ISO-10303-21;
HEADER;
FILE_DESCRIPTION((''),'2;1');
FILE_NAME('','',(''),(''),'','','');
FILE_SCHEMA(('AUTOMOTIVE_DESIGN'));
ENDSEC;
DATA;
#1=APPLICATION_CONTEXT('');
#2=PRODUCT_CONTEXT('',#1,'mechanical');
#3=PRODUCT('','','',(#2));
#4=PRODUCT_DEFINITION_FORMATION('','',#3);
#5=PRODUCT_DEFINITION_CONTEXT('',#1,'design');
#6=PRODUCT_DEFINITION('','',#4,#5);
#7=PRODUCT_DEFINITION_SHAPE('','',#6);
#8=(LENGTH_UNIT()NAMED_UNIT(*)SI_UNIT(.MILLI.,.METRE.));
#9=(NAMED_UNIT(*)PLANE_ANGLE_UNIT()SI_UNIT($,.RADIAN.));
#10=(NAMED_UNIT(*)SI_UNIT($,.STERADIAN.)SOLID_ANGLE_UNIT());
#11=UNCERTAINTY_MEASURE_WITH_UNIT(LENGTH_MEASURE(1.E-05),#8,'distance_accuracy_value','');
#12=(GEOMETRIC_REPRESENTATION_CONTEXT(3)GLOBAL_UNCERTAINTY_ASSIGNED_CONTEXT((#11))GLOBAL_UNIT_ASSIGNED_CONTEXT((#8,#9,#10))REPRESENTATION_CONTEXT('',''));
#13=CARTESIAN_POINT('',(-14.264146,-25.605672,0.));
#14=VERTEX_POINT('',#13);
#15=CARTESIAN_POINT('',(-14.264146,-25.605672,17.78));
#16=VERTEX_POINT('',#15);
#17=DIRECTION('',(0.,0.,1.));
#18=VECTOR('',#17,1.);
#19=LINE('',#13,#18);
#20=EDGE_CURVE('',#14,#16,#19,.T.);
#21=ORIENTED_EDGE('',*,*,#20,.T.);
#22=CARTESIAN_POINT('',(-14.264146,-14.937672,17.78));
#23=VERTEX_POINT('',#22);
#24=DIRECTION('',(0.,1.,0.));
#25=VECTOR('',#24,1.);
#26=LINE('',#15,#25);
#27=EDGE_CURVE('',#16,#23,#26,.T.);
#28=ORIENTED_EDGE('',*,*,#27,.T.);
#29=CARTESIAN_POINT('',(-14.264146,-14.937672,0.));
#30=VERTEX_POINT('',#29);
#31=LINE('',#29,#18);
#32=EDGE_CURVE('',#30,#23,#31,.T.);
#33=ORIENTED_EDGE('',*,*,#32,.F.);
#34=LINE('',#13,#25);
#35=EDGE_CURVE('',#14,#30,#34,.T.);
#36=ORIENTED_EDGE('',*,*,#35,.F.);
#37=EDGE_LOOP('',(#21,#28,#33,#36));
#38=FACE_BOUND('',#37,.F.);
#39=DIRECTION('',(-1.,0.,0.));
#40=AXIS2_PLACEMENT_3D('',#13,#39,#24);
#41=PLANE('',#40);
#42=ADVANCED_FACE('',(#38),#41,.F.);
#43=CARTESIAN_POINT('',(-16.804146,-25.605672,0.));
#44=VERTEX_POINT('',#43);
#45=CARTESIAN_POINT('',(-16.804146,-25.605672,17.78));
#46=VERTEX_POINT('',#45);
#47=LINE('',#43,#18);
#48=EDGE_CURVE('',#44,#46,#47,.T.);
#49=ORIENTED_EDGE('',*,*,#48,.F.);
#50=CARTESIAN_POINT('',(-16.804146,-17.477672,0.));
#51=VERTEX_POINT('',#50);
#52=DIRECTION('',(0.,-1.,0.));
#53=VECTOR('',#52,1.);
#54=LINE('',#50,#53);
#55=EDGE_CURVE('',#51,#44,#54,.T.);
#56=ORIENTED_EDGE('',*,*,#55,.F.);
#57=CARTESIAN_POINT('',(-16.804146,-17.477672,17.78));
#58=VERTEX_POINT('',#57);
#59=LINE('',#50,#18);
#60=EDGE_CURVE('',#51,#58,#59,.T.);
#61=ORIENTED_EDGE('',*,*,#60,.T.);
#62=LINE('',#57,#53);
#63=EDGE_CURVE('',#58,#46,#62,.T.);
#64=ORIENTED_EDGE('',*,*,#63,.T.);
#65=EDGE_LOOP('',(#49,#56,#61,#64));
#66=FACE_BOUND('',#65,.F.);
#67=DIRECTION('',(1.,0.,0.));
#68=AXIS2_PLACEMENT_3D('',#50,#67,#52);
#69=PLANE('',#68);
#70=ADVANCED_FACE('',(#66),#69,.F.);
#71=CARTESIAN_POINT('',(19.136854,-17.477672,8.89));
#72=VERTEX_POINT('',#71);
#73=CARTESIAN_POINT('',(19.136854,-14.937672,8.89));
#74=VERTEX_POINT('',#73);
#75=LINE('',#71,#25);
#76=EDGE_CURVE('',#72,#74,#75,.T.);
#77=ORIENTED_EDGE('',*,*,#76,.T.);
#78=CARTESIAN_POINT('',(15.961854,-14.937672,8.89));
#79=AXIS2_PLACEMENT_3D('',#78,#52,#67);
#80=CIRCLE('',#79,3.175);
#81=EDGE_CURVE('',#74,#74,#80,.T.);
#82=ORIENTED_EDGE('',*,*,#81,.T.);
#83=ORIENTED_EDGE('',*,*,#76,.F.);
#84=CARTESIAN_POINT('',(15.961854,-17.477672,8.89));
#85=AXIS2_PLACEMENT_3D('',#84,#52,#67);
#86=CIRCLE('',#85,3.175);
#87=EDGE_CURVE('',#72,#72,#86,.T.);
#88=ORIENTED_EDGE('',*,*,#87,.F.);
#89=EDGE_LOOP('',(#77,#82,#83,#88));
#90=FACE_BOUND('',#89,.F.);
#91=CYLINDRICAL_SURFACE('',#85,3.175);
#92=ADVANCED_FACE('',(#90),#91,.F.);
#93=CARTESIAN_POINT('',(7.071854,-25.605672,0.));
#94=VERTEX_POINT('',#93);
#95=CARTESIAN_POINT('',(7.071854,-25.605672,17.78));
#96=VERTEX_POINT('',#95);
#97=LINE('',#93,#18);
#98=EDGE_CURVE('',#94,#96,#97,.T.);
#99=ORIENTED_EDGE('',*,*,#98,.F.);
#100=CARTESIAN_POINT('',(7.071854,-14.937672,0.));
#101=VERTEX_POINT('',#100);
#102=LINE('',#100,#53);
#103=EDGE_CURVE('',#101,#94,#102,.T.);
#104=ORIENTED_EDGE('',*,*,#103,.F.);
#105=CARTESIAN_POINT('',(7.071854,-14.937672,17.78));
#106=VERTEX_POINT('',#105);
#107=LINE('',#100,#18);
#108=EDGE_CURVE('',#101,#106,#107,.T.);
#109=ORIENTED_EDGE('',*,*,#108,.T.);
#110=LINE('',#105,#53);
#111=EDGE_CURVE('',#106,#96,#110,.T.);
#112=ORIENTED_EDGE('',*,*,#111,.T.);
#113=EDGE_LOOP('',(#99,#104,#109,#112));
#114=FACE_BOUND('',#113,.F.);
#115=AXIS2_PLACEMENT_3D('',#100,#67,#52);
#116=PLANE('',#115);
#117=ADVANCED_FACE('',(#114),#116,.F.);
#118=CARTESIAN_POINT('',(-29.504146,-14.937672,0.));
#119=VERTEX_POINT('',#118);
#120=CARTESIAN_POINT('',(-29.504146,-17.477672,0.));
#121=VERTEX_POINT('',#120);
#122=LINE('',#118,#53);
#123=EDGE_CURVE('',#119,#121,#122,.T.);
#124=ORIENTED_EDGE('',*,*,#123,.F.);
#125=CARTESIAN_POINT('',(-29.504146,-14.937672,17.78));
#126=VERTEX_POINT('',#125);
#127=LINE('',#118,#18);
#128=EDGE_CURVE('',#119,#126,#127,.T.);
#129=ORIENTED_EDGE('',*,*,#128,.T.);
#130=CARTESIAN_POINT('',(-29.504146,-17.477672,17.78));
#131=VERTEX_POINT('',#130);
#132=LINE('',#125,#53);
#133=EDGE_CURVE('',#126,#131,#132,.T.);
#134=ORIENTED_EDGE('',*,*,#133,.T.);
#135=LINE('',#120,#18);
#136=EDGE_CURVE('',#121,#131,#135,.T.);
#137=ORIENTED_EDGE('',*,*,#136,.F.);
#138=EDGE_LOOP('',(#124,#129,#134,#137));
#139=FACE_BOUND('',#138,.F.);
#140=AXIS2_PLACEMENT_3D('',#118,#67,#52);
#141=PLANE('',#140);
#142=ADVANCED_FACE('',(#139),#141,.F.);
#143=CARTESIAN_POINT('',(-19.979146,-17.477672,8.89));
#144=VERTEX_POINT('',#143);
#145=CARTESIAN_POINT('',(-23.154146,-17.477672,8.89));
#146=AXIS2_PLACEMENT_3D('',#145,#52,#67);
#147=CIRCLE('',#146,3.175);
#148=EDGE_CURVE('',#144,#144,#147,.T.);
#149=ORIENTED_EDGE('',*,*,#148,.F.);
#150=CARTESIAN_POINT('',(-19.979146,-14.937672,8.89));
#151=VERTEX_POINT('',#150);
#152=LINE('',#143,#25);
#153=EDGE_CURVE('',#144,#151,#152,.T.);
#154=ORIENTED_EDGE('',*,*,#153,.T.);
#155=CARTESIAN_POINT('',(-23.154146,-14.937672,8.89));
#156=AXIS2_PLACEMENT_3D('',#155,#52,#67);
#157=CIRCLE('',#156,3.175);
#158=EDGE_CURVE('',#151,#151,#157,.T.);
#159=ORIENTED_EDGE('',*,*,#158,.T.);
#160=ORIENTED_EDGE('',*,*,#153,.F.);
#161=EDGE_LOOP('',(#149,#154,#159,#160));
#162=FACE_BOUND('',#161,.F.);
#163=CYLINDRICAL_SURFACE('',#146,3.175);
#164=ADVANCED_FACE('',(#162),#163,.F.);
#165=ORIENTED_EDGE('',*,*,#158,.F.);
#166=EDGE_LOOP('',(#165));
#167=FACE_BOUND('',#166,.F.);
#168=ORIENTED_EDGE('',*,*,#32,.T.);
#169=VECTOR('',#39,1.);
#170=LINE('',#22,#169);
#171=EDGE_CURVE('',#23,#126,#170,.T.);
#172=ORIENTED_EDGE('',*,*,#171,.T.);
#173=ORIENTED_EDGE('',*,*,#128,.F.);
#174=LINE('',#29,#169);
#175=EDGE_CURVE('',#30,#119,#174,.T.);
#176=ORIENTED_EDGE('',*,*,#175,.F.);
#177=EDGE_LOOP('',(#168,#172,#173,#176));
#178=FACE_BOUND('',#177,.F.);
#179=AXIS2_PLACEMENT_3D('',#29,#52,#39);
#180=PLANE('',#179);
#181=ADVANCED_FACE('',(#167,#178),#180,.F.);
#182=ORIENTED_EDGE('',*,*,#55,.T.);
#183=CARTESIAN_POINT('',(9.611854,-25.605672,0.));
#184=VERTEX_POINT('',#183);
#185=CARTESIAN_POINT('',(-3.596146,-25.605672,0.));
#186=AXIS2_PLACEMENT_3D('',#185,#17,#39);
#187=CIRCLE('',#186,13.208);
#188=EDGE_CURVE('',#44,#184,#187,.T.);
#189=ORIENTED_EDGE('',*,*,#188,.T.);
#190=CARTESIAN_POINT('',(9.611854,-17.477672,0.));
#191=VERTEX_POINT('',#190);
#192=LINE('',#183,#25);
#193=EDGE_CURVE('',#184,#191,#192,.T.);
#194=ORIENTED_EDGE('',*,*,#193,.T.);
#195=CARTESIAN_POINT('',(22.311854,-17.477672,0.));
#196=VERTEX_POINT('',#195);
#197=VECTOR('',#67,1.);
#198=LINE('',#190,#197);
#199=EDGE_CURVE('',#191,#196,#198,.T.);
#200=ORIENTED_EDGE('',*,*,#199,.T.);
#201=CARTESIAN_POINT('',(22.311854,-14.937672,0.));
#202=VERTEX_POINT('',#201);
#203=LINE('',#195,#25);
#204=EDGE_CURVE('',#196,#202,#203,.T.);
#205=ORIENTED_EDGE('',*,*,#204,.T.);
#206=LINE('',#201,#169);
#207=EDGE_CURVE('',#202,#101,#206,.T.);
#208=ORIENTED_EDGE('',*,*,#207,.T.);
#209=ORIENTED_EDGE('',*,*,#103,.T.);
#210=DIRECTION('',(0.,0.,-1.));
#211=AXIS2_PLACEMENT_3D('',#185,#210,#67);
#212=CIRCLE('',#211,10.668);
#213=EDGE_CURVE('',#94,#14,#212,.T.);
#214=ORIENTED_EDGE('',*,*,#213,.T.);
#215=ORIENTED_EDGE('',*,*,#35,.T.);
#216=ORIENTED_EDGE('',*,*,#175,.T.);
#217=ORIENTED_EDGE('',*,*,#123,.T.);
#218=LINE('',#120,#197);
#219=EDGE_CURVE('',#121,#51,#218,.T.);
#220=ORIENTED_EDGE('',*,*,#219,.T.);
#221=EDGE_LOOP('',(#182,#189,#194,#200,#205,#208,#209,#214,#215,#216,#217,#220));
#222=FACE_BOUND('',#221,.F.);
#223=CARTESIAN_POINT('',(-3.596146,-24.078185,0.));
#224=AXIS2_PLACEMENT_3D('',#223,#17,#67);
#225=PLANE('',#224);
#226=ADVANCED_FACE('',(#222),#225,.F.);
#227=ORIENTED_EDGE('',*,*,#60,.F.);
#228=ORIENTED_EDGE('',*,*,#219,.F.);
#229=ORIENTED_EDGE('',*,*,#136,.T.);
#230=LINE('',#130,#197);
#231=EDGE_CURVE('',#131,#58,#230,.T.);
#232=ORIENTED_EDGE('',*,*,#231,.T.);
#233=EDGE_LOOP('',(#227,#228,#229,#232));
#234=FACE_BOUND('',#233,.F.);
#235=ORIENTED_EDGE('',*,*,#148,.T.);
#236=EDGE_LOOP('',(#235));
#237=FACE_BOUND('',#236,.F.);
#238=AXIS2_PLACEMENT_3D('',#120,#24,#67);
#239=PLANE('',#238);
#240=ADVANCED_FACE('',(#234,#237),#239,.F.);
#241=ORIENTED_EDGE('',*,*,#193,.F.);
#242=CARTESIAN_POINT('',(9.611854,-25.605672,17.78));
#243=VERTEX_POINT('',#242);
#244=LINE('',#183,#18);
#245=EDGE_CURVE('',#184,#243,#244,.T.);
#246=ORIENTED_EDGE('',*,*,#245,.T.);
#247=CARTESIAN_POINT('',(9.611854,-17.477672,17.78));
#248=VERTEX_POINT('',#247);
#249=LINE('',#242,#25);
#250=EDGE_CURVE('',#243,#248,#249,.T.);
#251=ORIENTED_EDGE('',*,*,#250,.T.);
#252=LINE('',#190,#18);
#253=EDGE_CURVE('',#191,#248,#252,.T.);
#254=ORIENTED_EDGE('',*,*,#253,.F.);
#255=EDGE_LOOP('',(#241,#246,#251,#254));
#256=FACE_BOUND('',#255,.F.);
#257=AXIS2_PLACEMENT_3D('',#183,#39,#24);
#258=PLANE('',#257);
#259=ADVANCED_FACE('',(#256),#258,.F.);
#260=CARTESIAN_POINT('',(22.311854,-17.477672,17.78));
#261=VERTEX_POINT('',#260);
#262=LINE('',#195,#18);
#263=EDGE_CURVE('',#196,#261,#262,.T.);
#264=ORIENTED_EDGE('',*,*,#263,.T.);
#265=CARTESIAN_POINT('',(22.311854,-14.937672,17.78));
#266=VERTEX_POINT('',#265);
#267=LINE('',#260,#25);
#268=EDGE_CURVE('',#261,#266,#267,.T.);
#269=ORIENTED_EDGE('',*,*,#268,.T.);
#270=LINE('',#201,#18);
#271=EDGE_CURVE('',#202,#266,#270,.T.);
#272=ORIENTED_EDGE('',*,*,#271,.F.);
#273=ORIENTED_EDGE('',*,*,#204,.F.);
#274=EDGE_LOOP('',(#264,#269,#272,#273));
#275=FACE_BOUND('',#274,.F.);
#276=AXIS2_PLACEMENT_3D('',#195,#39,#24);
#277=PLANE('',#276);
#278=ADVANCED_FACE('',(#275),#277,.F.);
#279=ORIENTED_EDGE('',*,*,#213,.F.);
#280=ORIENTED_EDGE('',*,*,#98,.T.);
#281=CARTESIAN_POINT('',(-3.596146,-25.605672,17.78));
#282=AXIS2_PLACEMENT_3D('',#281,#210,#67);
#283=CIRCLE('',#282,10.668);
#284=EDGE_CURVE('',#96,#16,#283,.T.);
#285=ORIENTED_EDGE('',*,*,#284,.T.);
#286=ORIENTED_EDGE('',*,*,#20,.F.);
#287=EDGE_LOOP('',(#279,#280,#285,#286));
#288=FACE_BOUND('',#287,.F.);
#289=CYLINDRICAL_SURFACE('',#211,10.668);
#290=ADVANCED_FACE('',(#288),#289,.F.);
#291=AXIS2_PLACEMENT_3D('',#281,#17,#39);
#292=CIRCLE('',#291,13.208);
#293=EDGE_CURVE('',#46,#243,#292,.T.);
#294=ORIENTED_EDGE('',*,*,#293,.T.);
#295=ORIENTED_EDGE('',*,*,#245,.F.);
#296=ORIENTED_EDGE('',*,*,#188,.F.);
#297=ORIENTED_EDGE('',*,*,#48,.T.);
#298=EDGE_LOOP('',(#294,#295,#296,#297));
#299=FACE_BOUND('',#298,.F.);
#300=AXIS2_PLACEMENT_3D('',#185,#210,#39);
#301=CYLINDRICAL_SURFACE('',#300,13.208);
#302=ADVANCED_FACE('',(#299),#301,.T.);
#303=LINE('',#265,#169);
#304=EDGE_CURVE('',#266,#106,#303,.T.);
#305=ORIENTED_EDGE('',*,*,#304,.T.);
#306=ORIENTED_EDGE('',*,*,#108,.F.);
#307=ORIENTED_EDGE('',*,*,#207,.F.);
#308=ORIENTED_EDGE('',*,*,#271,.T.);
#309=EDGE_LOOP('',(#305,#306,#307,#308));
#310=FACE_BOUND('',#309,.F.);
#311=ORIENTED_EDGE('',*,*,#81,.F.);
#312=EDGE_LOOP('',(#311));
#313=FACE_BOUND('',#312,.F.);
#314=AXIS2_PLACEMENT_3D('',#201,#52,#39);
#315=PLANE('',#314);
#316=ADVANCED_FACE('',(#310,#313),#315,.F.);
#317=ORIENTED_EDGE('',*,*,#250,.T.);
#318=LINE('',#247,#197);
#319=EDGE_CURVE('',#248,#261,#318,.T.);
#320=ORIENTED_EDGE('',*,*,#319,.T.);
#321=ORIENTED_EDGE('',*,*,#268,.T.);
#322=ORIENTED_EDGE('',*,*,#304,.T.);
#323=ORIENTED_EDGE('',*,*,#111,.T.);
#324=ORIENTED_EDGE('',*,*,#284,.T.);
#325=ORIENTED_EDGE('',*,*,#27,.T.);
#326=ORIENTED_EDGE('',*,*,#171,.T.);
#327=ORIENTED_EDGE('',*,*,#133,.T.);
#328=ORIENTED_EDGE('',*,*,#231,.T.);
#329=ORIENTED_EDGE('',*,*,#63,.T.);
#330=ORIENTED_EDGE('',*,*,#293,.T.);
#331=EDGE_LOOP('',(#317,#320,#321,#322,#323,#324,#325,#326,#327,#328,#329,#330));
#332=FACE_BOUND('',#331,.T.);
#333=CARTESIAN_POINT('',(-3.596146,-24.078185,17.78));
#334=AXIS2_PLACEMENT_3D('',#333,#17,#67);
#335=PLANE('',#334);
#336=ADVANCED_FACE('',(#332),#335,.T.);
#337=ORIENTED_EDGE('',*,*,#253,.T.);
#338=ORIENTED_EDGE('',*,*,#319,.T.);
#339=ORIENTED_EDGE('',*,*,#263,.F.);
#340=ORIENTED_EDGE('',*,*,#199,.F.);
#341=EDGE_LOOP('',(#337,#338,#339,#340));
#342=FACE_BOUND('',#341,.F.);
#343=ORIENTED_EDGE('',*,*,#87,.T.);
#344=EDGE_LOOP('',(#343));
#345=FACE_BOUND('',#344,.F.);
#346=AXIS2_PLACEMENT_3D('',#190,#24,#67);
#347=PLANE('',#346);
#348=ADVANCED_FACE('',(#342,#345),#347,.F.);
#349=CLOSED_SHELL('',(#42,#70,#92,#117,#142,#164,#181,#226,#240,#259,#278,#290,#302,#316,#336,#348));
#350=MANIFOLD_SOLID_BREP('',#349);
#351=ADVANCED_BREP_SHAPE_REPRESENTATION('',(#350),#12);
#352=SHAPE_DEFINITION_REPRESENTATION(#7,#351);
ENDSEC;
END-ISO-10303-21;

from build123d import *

# Parameters (mm, degrees)
F1_DEPTH = 17.78
F2_R     = 3.175
F3_DEPTH = 2.541


with BuildPart() as f1:
    # F0 (on Top) → F1 (new body)
    with BuildSketch(Plane.XY):
        with BuildLine():
            Line((-16.804146, -14.937672), (-29.504146, -14.937672))
            Line((-29.504146, -14.937672), (-29.504146, -17.477672))
            Line((-29.504146, -17.477672), (-16.804146, -17.477672))
            Line((-16.804146, -17.477672), (-16.804146, -25.605672))
            ThreePointArc((-16.804146, -25.605672), (-3.596146, -38.813672), (9.611854, -25.605672))
            Line((9.611854, -25.605672), (9.611854, -17.477672))
            Line((9.611854, -17.477672), (22.311854, -17.477672))
            Line((22.311854, -17.477672), (22.311854, -14.937672))
            Line((22.311854, -14.937672), (9.611854, -14.937672))
            Line((9.611854, -14.937672), (7.071854, -14.937672))
            Line((7.071854, -14.937672), (7.071854, -25.605672))
            ThreePointArc((7.071854, -25.605672), (-3.596146, -36.273672), (-14.264146, -25.605672))
            Line((-14.264146, -25.605672), (-14.264146, -14.937672))
            Line((-14.264146, -14.937672), (-16.804146, -14.937672))
        make_face()
    extrude(amount=F1_DEPTH)

    # F2 (on face) → F3 (cut, through all)
    with BuildSketch(Plane.XZ.offset(17.477672)):
        with Locations((-23.154146, 8.89)):
            Circle(F2_R)
        with Locations((15.961854, 8.89)):
            Circle(F2_R)
    extrude(amount=-F3_DEPTH, mode=Mode.SUBTRACT)


solid = f1.part
